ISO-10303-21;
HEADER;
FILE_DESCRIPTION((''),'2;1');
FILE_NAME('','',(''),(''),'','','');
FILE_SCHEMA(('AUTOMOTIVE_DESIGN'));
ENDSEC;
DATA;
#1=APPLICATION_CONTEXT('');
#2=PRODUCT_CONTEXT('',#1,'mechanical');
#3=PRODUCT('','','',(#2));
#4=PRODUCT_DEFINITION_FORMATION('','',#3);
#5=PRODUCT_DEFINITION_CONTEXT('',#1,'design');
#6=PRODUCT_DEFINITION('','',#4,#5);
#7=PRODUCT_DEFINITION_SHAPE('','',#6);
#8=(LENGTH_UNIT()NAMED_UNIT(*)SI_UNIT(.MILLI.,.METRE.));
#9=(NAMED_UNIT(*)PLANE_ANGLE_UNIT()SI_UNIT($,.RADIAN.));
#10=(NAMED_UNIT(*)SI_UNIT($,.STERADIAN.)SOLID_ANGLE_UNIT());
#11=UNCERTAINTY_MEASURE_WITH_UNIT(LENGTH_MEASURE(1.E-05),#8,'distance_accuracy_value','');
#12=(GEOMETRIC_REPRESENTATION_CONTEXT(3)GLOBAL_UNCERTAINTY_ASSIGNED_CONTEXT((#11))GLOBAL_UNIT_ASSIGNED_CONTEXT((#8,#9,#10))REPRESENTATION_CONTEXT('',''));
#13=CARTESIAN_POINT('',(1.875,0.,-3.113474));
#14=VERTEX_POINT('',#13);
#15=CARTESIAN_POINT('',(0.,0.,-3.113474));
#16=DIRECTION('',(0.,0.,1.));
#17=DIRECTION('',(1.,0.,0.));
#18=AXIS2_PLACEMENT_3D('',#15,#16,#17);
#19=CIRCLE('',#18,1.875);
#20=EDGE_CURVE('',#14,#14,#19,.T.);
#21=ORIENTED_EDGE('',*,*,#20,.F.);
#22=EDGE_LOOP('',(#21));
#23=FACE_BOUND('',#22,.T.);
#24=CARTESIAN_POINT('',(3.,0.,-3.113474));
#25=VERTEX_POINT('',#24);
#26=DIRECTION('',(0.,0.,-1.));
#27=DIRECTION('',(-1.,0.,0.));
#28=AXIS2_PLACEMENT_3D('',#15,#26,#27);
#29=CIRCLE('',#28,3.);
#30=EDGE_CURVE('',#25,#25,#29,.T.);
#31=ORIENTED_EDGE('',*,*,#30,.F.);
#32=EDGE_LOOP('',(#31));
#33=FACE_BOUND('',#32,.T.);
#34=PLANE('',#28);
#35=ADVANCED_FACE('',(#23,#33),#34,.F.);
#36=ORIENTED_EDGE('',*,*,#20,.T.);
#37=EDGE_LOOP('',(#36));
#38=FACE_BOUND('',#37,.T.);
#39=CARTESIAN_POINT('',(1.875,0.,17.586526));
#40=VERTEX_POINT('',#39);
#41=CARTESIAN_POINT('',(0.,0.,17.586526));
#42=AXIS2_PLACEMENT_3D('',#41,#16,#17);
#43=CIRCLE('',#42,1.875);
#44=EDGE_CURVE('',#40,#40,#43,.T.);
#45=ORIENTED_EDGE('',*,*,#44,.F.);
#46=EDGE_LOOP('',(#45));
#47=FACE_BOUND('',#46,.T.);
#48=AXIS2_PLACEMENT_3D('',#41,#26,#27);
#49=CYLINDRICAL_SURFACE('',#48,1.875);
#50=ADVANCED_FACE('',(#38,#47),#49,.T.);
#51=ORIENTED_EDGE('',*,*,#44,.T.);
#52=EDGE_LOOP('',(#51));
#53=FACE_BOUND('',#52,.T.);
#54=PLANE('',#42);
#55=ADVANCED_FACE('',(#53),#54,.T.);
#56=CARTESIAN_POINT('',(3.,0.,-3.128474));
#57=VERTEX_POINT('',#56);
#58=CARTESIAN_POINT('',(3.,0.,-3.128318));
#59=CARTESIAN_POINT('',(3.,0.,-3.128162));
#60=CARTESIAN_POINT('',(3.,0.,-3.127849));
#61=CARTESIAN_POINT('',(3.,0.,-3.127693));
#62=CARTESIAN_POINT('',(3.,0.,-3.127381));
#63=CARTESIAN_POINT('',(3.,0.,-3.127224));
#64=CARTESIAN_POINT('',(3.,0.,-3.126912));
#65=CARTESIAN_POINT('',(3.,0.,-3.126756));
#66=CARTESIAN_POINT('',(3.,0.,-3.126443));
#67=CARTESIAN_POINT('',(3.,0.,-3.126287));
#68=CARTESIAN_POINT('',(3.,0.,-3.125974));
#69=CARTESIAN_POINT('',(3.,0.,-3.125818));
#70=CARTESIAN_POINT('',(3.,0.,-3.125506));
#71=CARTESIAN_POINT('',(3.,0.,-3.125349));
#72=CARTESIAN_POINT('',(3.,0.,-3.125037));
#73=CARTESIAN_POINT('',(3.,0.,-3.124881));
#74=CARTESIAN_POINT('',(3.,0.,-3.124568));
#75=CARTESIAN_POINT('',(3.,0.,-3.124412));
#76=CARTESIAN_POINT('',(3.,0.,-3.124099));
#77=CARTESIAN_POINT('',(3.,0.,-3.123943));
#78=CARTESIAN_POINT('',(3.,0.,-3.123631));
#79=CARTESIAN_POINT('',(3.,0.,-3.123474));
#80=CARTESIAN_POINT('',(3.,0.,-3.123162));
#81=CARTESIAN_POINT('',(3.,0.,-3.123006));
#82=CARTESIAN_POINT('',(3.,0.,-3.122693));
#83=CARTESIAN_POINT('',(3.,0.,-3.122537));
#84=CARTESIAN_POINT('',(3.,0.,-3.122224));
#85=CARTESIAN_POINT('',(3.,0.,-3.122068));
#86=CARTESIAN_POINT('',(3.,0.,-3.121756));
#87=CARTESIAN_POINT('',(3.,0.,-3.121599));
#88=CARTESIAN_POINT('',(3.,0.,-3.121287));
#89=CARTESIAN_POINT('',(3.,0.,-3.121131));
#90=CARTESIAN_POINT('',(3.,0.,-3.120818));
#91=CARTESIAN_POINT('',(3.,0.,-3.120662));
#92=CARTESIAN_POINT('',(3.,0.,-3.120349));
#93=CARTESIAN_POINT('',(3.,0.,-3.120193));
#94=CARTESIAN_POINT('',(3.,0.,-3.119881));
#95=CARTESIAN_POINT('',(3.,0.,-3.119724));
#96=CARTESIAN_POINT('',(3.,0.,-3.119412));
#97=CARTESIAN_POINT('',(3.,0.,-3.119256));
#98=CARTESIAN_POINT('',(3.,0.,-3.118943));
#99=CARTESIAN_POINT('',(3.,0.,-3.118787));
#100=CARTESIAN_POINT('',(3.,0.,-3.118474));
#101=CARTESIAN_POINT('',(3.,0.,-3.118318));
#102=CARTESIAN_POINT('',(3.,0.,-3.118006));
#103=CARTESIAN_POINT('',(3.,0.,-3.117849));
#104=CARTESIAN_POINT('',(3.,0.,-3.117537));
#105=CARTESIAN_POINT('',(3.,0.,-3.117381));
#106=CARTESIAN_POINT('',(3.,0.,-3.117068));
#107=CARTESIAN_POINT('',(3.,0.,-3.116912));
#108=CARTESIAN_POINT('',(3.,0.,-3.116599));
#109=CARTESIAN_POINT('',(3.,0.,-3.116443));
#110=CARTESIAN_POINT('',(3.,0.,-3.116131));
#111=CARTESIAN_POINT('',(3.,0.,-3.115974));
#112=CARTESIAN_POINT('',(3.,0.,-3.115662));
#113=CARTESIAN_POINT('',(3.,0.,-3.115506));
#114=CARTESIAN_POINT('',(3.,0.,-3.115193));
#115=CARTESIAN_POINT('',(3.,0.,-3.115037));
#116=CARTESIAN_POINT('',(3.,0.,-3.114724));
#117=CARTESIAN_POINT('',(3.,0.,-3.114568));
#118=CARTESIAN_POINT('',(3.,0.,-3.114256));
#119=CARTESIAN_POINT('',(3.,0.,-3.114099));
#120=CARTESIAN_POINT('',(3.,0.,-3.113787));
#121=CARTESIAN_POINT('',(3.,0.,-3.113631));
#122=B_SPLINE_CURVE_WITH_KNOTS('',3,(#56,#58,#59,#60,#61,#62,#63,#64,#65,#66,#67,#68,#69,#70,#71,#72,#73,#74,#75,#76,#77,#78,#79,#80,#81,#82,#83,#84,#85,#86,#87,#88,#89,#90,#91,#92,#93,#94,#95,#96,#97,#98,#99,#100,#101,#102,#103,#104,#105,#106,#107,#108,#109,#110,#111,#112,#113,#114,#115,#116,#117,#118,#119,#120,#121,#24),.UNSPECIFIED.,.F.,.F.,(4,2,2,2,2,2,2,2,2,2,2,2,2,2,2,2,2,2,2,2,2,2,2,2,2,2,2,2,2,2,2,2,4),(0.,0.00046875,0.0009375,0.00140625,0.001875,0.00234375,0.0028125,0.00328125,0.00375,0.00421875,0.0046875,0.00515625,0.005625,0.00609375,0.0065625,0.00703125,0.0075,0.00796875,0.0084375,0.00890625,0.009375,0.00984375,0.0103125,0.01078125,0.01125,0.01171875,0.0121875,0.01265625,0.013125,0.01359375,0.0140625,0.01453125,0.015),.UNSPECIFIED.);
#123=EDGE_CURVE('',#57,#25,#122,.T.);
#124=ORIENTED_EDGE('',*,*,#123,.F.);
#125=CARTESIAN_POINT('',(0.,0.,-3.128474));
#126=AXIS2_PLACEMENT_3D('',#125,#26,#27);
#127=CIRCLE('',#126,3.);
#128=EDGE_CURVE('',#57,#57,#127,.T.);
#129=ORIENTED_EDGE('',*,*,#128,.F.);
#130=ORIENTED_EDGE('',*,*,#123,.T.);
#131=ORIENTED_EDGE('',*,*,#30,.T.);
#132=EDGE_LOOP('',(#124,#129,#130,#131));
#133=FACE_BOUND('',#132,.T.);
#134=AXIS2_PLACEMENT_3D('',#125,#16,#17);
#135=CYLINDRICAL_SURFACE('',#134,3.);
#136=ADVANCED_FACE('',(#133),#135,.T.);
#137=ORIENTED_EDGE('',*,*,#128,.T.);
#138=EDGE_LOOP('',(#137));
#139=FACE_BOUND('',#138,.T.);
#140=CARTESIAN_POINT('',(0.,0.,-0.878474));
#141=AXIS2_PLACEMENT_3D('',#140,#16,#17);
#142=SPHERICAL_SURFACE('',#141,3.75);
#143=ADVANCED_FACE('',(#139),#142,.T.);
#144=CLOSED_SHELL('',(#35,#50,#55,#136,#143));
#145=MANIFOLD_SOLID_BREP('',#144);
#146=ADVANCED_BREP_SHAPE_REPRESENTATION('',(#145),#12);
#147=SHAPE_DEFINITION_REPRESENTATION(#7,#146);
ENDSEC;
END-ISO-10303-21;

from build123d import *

# Parameters (mm, degrees)
SKETCH1_R           = 1.25
BOSS_EXTRUDE1_DEPTH = 13.8
SKETCH3_R           = 2
BOSS_EXTRUDE2_DEPTH = 0.01
DOME1_FACE_RADIUS   = 2
DOME1_HEIGHT        = 1
SCALE1_SCALE        = 1.5


with BuildPart() as part:
    # Sketch1 → Boss-Extrude1 (new body)
    with BuildSketch(Plane.XY):
        Circle(SKETCH1_R)
    extrude(amount=BOSS_EXTRUDE1_DEPTH)

    # Sketch3 → Boss-Extrude2 (add)
    with BuildSketch(Plane(origin=(0, 0, 0), x_dir=(-1, 0, 0), z_dir=(0, 0, -1))):
        with Locations(Location((0, 0, 0), (0, 0, 180))):
            Circle(SKETCH3_R)
    extrude(amount=BOSS_EXTRUDE2_DEPTH)

    # Dome1: a dome of height H over a round flat face of radius A is a cap of a sphere of radius (A * A + H * H) / (2 * H)
    dome1_r = (DOME1_FACE_RADIUS * DOME1_FACE_RADIUS + DOME1_HEIGHT * DOME1_HEIGHT) / (2 * DOME1_HEIGHT)
    dome1_base = Plane((0, 0, -0.01), z_dir=(0, 0, -1))
    with Locations(dome1_base.offset(DOME1_HEIGHT - dome1_r)):
        dome1_ball = Sphere(dome1_r, mode=Mode.PRIVATE)
    add(split(dome1_ball, bisect_by=dome1_base, keep=Keep.TOP, mode=Mode.PRIVATE))


with BuildPart() as part_1:
    # Scale1: scaled about (0, 0, 6.226948778)
    add(part.part.scale(SCALE1_SCALE).moved(Location((0, 0, -3.113474389))))


solid = part_1.part
